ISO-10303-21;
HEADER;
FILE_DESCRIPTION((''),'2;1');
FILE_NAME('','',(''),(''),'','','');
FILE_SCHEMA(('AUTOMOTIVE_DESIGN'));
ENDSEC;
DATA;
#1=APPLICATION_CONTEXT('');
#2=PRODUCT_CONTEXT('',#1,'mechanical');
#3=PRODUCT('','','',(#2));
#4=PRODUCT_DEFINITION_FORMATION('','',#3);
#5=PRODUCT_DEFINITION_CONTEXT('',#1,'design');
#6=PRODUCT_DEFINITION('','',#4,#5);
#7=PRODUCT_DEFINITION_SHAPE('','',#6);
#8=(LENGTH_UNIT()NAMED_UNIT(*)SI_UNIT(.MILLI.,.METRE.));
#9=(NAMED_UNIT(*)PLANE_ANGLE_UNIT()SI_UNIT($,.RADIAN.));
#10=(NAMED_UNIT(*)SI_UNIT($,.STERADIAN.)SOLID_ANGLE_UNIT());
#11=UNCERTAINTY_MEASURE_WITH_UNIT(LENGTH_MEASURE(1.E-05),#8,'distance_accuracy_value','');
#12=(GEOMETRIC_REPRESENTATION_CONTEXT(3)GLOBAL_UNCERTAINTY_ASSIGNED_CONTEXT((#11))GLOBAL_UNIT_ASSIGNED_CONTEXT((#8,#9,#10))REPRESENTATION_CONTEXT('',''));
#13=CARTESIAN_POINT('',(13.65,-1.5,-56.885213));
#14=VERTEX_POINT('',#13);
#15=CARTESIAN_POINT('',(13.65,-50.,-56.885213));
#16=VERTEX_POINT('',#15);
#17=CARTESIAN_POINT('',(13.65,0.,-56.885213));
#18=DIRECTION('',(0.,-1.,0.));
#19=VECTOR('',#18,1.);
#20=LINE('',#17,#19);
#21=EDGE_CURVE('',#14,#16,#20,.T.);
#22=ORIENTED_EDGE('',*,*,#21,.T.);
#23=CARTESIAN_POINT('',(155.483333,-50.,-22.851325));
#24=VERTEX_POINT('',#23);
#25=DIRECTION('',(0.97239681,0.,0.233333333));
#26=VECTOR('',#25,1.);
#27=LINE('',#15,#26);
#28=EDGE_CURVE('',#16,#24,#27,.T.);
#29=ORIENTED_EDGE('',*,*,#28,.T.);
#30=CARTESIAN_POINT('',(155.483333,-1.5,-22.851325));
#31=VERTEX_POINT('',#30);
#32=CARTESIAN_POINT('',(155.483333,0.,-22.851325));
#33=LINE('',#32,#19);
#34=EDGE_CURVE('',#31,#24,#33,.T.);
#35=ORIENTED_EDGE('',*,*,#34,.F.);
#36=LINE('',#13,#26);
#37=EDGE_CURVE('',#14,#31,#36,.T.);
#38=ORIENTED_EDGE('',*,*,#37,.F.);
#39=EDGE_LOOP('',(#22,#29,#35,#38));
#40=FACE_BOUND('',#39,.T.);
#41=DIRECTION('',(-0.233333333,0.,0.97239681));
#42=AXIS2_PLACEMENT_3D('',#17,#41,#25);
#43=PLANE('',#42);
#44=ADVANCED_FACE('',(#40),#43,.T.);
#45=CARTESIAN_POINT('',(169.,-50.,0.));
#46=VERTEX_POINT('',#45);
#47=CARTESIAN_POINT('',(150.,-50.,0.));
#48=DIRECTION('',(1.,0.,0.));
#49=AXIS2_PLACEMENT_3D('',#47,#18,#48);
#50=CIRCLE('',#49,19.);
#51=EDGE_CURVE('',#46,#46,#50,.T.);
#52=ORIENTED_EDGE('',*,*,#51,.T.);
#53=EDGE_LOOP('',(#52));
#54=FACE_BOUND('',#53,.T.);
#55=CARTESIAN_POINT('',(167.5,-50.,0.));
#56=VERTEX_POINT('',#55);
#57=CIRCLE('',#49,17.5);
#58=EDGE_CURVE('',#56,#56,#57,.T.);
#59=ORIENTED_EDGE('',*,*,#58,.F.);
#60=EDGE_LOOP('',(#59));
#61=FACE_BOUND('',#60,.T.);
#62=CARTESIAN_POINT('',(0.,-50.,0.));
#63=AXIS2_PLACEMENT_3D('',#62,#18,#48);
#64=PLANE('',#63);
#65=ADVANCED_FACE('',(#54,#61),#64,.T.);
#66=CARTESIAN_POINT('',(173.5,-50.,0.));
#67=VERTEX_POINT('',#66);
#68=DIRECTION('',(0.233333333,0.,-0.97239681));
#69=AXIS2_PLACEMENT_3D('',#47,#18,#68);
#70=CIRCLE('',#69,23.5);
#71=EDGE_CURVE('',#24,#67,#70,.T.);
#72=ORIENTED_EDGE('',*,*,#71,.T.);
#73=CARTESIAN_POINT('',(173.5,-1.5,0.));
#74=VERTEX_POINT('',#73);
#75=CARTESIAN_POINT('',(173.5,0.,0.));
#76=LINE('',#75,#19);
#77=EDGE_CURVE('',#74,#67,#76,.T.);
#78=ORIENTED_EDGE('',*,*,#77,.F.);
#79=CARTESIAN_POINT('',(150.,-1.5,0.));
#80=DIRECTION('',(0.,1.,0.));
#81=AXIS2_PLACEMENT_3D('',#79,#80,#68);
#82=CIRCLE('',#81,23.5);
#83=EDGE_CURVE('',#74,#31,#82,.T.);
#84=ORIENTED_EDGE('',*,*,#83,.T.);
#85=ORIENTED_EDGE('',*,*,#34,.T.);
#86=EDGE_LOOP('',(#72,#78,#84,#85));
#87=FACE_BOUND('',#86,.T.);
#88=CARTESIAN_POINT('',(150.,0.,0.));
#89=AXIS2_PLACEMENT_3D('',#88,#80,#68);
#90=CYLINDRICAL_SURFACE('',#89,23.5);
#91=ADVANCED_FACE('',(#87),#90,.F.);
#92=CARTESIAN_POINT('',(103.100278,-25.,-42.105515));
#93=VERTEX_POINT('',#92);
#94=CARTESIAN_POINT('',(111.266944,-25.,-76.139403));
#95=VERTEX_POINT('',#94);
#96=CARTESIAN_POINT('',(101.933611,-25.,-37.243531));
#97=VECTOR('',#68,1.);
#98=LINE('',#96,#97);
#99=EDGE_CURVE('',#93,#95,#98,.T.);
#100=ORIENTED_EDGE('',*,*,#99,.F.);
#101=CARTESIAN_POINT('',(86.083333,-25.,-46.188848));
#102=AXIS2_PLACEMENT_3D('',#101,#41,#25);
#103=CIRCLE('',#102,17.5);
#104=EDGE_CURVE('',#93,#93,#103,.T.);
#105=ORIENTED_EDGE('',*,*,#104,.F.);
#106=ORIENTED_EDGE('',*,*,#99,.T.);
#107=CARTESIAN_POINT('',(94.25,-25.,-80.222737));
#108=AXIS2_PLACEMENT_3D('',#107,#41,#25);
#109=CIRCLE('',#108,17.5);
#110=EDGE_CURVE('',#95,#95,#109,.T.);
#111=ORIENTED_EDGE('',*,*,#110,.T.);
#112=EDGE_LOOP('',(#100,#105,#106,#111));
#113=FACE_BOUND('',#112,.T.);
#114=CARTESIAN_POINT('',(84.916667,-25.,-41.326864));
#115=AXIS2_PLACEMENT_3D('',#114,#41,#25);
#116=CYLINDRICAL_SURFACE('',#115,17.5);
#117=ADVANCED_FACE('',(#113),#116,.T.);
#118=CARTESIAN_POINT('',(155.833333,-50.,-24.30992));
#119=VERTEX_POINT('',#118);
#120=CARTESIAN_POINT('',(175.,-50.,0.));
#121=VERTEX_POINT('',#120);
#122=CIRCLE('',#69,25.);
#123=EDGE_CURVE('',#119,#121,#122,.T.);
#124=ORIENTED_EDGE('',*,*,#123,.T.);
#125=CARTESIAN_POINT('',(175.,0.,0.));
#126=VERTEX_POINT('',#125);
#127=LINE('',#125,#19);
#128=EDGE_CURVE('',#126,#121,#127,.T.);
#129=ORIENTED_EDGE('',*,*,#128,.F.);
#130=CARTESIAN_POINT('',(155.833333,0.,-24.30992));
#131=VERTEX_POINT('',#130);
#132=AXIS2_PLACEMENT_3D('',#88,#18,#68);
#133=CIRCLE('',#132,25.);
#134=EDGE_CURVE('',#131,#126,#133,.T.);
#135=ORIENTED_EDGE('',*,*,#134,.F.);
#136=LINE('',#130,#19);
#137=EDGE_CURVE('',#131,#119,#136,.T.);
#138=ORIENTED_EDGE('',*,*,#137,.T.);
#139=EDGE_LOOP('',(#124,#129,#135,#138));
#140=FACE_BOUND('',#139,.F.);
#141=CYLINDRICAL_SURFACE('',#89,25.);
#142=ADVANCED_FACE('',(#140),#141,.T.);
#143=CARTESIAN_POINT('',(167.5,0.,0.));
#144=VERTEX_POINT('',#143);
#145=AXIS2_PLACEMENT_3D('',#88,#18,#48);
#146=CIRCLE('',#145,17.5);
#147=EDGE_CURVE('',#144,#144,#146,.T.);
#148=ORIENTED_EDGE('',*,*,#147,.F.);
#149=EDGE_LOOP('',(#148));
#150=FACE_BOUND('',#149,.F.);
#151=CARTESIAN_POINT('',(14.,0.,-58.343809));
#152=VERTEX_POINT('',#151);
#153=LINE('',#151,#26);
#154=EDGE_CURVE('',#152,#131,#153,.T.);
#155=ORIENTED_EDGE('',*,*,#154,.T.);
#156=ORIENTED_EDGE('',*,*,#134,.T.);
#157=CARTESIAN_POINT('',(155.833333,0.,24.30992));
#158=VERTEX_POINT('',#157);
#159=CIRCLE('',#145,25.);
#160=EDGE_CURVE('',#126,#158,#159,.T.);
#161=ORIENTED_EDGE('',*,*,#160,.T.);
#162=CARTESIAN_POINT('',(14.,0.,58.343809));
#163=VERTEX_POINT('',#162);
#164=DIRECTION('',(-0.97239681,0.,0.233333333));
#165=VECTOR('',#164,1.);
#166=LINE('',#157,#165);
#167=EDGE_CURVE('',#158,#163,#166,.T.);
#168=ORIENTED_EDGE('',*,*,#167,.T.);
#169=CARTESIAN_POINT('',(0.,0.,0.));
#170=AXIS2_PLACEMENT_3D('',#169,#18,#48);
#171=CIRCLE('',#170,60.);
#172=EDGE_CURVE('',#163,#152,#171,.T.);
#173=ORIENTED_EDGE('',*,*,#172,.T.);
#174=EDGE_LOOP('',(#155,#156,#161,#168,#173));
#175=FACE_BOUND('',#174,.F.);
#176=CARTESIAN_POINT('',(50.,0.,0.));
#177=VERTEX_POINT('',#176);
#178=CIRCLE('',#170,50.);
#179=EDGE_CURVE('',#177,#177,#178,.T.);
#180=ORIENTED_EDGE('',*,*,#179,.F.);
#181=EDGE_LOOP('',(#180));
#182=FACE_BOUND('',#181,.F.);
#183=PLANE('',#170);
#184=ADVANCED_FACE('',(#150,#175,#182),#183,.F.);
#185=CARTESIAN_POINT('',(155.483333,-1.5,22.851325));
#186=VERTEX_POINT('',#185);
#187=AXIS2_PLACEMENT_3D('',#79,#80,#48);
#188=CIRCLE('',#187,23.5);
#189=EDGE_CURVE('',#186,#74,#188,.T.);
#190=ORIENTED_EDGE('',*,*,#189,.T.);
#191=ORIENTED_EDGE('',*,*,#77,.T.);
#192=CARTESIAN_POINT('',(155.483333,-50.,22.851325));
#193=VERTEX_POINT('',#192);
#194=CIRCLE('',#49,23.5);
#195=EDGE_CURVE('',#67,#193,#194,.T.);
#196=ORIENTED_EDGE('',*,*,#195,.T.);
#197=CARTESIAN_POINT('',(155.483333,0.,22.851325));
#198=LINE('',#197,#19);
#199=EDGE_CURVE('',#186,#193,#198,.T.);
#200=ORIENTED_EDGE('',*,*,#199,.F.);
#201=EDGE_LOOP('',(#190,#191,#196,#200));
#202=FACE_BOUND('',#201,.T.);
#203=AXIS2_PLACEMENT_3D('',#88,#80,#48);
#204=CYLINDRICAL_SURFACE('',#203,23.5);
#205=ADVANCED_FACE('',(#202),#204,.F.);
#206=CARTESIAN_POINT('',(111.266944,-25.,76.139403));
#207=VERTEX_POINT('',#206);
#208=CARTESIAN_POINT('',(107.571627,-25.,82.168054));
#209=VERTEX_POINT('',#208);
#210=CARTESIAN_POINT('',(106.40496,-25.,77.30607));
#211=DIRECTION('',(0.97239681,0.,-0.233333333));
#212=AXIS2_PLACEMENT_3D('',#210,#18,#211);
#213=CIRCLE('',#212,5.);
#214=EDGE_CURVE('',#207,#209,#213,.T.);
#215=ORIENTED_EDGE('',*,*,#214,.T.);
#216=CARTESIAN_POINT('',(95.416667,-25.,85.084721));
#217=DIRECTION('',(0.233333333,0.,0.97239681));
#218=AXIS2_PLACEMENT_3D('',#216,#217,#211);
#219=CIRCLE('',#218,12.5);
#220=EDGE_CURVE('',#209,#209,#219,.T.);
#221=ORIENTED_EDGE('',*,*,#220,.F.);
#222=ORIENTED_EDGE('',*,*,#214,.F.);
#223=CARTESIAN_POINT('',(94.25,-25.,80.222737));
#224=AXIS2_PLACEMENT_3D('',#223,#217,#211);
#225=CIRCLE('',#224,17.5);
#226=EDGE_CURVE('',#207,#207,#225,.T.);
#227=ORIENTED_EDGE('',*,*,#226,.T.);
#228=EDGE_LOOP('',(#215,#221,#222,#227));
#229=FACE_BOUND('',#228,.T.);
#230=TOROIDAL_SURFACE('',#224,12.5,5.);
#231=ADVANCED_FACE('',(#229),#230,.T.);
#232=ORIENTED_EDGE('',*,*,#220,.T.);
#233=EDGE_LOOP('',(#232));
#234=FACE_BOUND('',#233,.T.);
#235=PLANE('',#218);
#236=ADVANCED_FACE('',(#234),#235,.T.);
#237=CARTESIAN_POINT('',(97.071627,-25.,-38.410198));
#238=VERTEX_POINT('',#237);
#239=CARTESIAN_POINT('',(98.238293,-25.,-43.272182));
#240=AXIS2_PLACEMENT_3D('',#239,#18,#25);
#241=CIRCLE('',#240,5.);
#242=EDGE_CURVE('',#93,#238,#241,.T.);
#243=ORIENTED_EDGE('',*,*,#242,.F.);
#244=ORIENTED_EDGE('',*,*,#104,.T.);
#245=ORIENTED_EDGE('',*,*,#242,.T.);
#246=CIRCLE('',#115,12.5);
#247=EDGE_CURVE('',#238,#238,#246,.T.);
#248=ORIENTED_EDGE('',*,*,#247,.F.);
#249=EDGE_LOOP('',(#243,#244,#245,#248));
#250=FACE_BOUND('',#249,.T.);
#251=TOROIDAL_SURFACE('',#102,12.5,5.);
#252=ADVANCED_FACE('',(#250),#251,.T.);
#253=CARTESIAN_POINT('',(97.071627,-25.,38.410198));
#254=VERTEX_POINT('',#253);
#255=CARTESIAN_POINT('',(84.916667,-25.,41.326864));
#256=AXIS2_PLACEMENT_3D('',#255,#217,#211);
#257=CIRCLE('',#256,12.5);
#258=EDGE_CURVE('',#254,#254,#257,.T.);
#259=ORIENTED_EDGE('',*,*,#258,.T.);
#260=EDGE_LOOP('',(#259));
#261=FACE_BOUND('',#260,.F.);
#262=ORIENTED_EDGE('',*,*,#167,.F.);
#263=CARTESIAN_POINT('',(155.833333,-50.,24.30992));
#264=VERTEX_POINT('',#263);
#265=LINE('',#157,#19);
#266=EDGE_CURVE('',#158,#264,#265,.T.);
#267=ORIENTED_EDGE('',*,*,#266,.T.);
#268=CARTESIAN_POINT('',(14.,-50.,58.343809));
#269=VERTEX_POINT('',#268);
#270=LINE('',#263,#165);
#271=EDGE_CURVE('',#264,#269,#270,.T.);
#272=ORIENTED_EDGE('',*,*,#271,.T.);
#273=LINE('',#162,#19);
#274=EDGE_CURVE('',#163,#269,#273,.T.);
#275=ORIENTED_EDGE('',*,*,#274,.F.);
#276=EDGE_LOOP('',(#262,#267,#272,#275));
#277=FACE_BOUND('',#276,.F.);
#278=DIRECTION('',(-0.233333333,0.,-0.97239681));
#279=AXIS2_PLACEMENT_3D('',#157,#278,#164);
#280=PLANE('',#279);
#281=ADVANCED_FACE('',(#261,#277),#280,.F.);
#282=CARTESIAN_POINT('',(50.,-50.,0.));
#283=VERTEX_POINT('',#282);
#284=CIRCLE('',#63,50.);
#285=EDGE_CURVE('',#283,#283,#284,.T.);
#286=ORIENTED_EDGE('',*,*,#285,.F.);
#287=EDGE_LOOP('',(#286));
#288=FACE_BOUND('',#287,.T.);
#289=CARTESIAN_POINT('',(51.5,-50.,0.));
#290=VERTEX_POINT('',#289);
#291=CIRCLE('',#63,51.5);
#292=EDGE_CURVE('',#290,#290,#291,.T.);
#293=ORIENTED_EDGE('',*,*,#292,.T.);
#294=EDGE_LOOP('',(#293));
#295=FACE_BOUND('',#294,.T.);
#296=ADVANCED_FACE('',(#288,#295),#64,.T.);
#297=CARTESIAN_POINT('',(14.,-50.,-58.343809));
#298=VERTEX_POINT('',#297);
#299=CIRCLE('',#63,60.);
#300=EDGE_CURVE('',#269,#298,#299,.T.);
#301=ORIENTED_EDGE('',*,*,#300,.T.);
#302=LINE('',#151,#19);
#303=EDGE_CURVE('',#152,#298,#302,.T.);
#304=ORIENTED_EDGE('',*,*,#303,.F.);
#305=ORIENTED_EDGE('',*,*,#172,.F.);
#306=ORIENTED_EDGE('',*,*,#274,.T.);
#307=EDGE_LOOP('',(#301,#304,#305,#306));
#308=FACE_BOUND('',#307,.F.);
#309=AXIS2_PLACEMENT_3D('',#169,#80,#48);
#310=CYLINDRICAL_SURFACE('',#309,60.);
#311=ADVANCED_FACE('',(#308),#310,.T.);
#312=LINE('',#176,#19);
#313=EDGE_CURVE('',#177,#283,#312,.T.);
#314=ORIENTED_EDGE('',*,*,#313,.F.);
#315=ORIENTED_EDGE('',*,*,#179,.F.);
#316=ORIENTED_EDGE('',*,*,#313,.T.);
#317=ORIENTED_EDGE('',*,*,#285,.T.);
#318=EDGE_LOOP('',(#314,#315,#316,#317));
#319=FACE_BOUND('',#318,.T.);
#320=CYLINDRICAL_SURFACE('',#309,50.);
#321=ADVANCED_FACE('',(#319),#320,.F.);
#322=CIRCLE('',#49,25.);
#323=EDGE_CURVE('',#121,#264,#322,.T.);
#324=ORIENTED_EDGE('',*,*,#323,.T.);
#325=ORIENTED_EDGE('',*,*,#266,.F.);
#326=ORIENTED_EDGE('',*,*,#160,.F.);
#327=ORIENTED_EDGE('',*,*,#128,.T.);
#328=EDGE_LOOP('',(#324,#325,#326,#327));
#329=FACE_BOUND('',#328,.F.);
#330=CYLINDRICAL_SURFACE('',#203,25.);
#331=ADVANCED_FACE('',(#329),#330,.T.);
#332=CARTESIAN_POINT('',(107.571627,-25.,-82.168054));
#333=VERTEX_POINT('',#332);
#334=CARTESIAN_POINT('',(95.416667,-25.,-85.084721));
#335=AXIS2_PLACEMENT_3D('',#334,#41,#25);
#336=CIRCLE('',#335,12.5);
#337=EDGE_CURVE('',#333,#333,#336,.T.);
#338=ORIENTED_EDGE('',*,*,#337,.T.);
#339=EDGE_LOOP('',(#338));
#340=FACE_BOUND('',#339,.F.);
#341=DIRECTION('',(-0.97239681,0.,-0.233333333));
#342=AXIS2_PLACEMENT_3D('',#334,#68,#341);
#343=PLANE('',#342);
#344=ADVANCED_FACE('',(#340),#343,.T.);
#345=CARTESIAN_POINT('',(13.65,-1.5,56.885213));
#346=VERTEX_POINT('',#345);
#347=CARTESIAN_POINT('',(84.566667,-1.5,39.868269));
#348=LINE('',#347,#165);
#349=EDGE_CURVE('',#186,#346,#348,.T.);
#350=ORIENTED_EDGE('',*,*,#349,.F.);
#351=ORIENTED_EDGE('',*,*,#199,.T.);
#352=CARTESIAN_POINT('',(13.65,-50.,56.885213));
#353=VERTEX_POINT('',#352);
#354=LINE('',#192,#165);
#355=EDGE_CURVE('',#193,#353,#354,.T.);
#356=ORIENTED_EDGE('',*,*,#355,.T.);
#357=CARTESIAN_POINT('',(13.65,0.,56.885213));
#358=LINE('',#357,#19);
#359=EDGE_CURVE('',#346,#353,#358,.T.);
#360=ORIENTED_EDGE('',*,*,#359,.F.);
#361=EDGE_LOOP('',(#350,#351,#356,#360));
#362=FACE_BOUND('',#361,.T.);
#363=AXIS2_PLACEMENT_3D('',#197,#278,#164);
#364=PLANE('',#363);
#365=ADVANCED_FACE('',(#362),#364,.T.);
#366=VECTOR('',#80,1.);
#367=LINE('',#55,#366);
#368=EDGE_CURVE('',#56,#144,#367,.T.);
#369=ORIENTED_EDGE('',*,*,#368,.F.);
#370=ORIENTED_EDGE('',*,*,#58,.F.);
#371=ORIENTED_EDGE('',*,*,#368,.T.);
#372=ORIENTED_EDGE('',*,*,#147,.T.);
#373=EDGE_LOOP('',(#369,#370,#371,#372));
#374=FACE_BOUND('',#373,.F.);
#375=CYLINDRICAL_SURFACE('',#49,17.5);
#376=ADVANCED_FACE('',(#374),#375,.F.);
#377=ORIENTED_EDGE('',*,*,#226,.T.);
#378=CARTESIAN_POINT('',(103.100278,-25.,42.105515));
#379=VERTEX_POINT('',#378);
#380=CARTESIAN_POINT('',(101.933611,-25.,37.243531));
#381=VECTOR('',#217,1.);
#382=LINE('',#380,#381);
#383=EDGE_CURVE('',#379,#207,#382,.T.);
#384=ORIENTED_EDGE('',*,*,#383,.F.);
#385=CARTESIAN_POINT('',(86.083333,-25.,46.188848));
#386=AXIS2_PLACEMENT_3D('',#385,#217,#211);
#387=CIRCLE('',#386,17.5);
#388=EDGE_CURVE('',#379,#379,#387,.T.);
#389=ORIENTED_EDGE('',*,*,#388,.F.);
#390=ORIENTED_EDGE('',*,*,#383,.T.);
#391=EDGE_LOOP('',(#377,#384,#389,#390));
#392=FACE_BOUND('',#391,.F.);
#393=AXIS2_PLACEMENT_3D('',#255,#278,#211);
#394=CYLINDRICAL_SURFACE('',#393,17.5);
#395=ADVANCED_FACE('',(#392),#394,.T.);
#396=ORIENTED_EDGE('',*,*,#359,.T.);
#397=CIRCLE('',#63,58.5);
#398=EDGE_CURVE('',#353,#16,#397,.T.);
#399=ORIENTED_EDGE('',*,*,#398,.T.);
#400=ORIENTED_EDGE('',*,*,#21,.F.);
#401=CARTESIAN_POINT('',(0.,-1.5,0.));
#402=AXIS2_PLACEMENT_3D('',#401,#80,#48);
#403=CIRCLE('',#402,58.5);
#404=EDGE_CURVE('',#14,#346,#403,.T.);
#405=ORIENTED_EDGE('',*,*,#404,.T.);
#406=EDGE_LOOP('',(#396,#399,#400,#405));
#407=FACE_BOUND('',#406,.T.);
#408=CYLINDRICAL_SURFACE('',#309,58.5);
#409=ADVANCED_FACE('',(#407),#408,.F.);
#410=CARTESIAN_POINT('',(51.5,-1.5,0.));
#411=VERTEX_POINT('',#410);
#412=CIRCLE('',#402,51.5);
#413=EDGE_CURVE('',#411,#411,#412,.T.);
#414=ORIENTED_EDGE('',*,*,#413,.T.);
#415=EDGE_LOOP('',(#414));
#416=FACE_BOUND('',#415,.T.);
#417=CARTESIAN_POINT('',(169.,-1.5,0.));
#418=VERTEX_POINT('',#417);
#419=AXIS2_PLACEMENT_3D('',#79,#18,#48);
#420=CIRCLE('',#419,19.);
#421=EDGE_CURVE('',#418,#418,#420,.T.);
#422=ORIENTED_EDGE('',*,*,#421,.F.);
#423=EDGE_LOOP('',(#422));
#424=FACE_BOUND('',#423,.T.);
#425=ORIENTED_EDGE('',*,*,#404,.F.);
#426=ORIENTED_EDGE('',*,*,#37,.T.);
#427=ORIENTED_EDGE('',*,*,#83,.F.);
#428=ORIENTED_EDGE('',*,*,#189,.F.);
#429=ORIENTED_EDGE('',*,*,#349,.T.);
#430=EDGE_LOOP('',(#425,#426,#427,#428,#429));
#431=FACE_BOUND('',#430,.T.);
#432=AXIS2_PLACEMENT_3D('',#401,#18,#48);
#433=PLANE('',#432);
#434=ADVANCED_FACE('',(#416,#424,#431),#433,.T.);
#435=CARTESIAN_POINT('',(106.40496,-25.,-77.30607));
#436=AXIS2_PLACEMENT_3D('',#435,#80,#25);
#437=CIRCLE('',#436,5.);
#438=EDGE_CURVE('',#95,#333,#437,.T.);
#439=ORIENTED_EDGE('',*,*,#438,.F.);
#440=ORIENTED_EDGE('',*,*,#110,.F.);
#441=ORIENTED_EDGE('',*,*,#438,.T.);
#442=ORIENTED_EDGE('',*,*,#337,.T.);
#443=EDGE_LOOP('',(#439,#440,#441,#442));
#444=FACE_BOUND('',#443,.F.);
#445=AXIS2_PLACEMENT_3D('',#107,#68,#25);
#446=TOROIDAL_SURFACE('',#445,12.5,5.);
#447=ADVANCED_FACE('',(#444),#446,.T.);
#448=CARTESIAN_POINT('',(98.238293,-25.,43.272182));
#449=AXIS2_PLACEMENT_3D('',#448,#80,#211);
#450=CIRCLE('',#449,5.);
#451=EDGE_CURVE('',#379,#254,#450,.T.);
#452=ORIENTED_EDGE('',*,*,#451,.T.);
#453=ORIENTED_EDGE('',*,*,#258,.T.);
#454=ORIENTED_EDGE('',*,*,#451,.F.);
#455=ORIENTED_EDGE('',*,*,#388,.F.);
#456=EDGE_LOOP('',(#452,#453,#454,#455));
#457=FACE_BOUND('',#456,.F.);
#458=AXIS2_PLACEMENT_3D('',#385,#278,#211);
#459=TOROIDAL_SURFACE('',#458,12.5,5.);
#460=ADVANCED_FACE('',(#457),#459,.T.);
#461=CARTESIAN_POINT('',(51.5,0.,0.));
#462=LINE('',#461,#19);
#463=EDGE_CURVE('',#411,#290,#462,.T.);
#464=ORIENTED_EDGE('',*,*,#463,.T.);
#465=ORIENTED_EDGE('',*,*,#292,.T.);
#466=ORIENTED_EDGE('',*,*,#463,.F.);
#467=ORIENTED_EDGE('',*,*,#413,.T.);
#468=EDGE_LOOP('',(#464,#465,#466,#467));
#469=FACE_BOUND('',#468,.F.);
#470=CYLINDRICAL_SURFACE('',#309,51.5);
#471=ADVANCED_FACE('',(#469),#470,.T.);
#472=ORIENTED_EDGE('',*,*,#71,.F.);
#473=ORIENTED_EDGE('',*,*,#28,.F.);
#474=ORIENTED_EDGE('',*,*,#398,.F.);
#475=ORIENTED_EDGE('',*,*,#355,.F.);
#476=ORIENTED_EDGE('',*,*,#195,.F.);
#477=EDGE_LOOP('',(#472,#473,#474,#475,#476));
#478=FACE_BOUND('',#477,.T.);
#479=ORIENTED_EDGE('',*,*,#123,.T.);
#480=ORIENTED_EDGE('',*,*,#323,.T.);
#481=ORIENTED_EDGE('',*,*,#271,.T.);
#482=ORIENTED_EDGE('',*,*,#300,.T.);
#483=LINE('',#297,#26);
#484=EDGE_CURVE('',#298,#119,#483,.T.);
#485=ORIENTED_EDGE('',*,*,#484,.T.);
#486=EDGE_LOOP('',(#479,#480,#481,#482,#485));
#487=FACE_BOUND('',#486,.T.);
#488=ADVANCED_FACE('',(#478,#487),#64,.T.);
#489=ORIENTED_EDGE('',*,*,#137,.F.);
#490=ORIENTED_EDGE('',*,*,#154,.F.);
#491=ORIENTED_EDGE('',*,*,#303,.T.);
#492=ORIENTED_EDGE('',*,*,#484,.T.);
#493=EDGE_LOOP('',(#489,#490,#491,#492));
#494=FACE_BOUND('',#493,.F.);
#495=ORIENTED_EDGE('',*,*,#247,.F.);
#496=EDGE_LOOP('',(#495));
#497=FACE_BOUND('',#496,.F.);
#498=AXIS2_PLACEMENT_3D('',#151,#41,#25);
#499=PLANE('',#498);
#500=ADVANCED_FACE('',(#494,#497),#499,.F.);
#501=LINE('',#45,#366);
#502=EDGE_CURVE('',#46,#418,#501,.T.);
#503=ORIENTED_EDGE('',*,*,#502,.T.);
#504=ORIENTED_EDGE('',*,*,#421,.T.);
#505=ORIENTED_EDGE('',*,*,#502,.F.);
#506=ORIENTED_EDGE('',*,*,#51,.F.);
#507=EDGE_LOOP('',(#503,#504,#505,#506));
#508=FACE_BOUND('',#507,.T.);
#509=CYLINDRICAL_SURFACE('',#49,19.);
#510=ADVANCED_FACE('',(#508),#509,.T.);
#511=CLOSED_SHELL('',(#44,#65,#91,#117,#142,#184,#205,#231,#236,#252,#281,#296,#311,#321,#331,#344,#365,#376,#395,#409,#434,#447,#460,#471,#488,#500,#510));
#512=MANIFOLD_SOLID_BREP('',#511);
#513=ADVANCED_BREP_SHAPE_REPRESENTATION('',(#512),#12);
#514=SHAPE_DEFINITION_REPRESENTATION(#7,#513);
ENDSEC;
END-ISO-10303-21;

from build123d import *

# Parameters (mm, degrees)
F0_R     = 50
F1_DEPTH = 50
F2_R     = 17.5
F3_DEPTH = 45
F4_R     = 5
F5_R     = 17.5
F6_DEPTH = 50.001
F7_T     = -1.5


with BuildPart() as f1:
    # F0 (on Front) → F1 (new body)
    with BuildSketch(Plane.XZ):
        with BuildLine():
            ThreePointArc((14, -58.3438085833), (47.1168759576, -37.148351242), (60, 0))
            ThreePointArc((60, 0), (47.1168759576, 37.148351242), (14, 58.3438085833))
            ThreePointArc((14, 58.3438085833), (-60, 0), (14, -58.3438085833))
        make_face()
        Circle(F0_R, mode=Mode.SUBTRACT)
        with BuildLine():
            ThreePointArc((14, 58.3438085833), (47.1168759576, 37.148351242), (60, 0))
            ThreePointArc((60, 0), (47.1168759576, -37.148351242), (14, -58.3438085833))
            Line((14, -58.3438085833), (155.8333333333, -24.309920243))
            ThreePointArc((155.8333333333, -24.309920243), (125, 0), (155.8333333333, 24.309920243))
            Line((155.8333333333, 24.309920243), (14, 58.3438085833))
        make_face()
        with BuildLine():
            ThreePointArc((175, 0), (169.632031649, 15.4784796842), (155.8333333333, 24.309920243))
            ThreePointArc((155.8333333333, 24.309920243), (125, 0), (155.8333333333, -24.309920243))
            ThreePointArc((155.8333333333, -24.309920243), (169.632031649, -15.4784796842), (175, 0))
        make_face()
    extrude(amount=F1_DEPTH)

    # F5 (on face) → F6 (cut, through all)
    with BuildSketch(Plane.XZ.offset(50)):
        with Locations((150, 0)):
            Circle(F5_R)
    extrude(amount=-F6_DEPTH, mode=Mode.SUBTRACT)

    # F7
    f7_openings = [f1.faces().sort_by_distance(p)[0] for p in [
        (65.769085, -50, 0),
    ]]
    offset(amount=F7_T, openings=f7_openings)



with BuildPart() as f3:
    # F2 (on face) → F3 (new body)
    with BuildSketch(Plane(origin=(14, 0, 58.3438085833), x_dir=(0.9723968097, 0, -0.2333333333), z_dir=(0.2333333333, 0, 0.9723968097))):
        with Locations((72.9297607291, -25)):
            Circle(F2_R)
    extrude(amount=F3_DEPTH)

    # F4
    f4_edges = [f3.edges().sort_by_distance(p)[0] for p in [
        (78.399722, -25, 89.168054),
        (67.899722, -25, 45.410198),
    ]]
    fillet(f4_edges, radius=F4_R)


with BuildPart() as f1_1:
    add(f1.part)

    add(f3.part)  # F8 merges F3
    # F8: F3 across plane
    add(f3.part.mirror(Plane.XY))


solid = f1_1.part
